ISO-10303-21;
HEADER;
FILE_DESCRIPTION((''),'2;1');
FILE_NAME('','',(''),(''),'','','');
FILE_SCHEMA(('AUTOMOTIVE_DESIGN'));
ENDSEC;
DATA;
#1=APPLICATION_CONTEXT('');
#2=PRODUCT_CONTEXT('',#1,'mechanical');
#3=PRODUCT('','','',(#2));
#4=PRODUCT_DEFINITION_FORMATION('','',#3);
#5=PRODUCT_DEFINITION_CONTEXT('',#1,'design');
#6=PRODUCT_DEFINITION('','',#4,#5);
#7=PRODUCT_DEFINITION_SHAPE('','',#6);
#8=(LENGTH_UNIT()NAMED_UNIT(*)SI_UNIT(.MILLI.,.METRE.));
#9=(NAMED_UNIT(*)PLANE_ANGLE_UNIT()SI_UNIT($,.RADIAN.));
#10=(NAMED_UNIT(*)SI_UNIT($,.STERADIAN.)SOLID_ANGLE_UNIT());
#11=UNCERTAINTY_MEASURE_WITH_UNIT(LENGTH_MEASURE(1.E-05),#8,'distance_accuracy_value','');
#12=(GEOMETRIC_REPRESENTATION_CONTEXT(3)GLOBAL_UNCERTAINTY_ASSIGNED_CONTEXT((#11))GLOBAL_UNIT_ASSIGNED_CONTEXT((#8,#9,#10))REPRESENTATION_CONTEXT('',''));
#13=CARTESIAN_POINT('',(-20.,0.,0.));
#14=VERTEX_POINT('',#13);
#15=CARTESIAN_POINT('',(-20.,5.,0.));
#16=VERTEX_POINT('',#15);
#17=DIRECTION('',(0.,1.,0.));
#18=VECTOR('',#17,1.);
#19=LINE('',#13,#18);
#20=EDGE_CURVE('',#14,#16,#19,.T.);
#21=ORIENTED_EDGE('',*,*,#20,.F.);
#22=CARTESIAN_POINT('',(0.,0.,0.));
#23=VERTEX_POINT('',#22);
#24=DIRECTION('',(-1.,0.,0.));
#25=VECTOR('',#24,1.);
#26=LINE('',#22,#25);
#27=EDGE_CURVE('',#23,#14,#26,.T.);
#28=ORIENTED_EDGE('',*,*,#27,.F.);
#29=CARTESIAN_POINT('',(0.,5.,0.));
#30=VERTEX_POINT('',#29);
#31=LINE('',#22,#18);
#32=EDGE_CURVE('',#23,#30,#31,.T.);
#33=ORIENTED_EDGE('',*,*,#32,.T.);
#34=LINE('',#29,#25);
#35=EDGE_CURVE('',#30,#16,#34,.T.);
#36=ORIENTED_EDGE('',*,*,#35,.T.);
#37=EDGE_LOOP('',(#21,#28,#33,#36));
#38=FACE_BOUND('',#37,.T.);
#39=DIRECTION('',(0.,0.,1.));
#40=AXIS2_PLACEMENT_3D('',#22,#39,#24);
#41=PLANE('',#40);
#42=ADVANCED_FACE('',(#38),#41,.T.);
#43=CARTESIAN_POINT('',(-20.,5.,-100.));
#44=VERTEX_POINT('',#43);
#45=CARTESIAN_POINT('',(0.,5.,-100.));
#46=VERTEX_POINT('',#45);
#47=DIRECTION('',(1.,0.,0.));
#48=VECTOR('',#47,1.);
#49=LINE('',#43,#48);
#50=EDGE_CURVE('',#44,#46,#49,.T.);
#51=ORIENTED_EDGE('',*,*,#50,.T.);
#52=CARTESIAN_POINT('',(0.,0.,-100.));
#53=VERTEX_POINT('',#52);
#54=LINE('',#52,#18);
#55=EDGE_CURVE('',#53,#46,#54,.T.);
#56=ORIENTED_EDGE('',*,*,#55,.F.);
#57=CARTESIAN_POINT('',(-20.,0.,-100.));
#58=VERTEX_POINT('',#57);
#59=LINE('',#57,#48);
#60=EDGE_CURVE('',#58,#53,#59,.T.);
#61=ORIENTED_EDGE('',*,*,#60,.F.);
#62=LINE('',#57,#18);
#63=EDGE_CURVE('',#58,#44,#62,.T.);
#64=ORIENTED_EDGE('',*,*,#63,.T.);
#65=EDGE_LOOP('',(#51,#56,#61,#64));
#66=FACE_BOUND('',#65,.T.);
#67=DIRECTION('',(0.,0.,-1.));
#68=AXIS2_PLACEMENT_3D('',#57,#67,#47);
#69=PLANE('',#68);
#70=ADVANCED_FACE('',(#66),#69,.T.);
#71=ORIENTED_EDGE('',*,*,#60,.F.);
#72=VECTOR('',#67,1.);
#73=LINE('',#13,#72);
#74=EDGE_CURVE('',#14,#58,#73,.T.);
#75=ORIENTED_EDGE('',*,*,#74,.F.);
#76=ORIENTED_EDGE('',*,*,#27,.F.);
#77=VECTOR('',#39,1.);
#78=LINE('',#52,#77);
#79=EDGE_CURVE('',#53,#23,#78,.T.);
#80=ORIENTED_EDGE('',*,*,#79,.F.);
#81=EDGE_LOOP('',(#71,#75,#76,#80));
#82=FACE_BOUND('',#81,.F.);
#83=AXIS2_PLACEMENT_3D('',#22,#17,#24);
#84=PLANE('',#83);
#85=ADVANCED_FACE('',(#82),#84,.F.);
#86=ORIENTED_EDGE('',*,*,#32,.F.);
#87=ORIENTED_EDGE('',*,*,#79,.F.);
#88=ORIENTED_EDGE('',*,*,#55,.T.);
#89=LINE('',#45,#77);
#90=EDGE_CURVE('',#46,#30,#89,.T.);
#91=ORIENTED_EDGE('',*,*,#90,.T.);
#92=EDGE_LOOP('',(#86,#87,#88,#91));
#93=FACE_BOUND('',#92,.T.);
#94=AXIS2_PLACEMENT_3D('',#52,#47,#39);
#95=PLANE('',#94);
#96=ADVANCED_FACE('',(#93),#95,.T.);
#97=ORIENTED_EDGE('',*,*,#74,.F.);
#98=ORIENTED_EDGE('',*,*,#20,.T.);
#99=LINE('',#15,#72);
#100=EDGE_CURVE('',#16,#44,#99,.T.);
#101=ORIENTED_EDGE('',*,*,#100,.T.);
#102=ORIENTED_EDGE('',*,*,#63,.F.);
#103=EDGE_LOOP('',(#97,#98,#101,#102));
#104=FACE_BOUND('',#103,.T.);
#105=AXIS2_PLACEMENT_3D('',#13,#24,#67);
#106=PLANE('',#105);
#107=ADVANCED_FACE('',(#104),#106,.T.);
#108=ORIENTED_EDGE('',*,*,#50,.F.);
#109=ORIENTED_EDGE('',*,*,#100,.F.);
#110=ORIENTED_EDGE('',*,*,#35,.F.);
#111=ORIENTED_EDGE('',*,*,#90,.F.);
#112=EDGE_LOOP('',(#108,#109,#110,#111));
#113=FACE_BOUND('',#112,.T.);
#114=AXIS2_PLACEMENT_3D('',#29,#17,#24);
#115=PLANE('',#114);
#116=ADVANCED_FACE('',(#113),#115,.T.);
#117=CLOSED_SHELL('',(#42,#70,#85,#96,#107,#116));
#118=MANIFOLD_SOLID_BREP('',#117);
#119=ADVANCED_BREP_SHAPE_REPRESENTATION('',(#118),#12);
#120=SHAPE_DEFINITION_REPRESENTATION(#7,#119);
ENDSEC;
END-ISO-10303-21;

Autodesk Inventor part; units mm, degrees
ref_plane "YZ Plane" through (0, 0, 0) normal (1, 0, 0) x (0, 1, 0)
ref_plane "XZ Plane" through (0, 0, 0) normal (0, 1, 0) x (-1, 0, 0)
ref_plane "XY Plane" through (0, 0, 0) normal (0, 0, 1) x (1, 0, 0)
sketch "スケッチ1" plane through (0, 0, 0) normal (0, 1, 0) x (-1, 0, 0)
  line L0 (0, 0) -> (20, 0)
  line L1 (20, 0) -> (20, -100)
  line L2 (20, -100) -> (0, -100)
  line L3 (0, -100) -> (0, 0)
  dimension "d0" = 20
  dimension "d1" = 100
extrude "押し出し1" add sketch "スケッチ1" along normal blind 5
